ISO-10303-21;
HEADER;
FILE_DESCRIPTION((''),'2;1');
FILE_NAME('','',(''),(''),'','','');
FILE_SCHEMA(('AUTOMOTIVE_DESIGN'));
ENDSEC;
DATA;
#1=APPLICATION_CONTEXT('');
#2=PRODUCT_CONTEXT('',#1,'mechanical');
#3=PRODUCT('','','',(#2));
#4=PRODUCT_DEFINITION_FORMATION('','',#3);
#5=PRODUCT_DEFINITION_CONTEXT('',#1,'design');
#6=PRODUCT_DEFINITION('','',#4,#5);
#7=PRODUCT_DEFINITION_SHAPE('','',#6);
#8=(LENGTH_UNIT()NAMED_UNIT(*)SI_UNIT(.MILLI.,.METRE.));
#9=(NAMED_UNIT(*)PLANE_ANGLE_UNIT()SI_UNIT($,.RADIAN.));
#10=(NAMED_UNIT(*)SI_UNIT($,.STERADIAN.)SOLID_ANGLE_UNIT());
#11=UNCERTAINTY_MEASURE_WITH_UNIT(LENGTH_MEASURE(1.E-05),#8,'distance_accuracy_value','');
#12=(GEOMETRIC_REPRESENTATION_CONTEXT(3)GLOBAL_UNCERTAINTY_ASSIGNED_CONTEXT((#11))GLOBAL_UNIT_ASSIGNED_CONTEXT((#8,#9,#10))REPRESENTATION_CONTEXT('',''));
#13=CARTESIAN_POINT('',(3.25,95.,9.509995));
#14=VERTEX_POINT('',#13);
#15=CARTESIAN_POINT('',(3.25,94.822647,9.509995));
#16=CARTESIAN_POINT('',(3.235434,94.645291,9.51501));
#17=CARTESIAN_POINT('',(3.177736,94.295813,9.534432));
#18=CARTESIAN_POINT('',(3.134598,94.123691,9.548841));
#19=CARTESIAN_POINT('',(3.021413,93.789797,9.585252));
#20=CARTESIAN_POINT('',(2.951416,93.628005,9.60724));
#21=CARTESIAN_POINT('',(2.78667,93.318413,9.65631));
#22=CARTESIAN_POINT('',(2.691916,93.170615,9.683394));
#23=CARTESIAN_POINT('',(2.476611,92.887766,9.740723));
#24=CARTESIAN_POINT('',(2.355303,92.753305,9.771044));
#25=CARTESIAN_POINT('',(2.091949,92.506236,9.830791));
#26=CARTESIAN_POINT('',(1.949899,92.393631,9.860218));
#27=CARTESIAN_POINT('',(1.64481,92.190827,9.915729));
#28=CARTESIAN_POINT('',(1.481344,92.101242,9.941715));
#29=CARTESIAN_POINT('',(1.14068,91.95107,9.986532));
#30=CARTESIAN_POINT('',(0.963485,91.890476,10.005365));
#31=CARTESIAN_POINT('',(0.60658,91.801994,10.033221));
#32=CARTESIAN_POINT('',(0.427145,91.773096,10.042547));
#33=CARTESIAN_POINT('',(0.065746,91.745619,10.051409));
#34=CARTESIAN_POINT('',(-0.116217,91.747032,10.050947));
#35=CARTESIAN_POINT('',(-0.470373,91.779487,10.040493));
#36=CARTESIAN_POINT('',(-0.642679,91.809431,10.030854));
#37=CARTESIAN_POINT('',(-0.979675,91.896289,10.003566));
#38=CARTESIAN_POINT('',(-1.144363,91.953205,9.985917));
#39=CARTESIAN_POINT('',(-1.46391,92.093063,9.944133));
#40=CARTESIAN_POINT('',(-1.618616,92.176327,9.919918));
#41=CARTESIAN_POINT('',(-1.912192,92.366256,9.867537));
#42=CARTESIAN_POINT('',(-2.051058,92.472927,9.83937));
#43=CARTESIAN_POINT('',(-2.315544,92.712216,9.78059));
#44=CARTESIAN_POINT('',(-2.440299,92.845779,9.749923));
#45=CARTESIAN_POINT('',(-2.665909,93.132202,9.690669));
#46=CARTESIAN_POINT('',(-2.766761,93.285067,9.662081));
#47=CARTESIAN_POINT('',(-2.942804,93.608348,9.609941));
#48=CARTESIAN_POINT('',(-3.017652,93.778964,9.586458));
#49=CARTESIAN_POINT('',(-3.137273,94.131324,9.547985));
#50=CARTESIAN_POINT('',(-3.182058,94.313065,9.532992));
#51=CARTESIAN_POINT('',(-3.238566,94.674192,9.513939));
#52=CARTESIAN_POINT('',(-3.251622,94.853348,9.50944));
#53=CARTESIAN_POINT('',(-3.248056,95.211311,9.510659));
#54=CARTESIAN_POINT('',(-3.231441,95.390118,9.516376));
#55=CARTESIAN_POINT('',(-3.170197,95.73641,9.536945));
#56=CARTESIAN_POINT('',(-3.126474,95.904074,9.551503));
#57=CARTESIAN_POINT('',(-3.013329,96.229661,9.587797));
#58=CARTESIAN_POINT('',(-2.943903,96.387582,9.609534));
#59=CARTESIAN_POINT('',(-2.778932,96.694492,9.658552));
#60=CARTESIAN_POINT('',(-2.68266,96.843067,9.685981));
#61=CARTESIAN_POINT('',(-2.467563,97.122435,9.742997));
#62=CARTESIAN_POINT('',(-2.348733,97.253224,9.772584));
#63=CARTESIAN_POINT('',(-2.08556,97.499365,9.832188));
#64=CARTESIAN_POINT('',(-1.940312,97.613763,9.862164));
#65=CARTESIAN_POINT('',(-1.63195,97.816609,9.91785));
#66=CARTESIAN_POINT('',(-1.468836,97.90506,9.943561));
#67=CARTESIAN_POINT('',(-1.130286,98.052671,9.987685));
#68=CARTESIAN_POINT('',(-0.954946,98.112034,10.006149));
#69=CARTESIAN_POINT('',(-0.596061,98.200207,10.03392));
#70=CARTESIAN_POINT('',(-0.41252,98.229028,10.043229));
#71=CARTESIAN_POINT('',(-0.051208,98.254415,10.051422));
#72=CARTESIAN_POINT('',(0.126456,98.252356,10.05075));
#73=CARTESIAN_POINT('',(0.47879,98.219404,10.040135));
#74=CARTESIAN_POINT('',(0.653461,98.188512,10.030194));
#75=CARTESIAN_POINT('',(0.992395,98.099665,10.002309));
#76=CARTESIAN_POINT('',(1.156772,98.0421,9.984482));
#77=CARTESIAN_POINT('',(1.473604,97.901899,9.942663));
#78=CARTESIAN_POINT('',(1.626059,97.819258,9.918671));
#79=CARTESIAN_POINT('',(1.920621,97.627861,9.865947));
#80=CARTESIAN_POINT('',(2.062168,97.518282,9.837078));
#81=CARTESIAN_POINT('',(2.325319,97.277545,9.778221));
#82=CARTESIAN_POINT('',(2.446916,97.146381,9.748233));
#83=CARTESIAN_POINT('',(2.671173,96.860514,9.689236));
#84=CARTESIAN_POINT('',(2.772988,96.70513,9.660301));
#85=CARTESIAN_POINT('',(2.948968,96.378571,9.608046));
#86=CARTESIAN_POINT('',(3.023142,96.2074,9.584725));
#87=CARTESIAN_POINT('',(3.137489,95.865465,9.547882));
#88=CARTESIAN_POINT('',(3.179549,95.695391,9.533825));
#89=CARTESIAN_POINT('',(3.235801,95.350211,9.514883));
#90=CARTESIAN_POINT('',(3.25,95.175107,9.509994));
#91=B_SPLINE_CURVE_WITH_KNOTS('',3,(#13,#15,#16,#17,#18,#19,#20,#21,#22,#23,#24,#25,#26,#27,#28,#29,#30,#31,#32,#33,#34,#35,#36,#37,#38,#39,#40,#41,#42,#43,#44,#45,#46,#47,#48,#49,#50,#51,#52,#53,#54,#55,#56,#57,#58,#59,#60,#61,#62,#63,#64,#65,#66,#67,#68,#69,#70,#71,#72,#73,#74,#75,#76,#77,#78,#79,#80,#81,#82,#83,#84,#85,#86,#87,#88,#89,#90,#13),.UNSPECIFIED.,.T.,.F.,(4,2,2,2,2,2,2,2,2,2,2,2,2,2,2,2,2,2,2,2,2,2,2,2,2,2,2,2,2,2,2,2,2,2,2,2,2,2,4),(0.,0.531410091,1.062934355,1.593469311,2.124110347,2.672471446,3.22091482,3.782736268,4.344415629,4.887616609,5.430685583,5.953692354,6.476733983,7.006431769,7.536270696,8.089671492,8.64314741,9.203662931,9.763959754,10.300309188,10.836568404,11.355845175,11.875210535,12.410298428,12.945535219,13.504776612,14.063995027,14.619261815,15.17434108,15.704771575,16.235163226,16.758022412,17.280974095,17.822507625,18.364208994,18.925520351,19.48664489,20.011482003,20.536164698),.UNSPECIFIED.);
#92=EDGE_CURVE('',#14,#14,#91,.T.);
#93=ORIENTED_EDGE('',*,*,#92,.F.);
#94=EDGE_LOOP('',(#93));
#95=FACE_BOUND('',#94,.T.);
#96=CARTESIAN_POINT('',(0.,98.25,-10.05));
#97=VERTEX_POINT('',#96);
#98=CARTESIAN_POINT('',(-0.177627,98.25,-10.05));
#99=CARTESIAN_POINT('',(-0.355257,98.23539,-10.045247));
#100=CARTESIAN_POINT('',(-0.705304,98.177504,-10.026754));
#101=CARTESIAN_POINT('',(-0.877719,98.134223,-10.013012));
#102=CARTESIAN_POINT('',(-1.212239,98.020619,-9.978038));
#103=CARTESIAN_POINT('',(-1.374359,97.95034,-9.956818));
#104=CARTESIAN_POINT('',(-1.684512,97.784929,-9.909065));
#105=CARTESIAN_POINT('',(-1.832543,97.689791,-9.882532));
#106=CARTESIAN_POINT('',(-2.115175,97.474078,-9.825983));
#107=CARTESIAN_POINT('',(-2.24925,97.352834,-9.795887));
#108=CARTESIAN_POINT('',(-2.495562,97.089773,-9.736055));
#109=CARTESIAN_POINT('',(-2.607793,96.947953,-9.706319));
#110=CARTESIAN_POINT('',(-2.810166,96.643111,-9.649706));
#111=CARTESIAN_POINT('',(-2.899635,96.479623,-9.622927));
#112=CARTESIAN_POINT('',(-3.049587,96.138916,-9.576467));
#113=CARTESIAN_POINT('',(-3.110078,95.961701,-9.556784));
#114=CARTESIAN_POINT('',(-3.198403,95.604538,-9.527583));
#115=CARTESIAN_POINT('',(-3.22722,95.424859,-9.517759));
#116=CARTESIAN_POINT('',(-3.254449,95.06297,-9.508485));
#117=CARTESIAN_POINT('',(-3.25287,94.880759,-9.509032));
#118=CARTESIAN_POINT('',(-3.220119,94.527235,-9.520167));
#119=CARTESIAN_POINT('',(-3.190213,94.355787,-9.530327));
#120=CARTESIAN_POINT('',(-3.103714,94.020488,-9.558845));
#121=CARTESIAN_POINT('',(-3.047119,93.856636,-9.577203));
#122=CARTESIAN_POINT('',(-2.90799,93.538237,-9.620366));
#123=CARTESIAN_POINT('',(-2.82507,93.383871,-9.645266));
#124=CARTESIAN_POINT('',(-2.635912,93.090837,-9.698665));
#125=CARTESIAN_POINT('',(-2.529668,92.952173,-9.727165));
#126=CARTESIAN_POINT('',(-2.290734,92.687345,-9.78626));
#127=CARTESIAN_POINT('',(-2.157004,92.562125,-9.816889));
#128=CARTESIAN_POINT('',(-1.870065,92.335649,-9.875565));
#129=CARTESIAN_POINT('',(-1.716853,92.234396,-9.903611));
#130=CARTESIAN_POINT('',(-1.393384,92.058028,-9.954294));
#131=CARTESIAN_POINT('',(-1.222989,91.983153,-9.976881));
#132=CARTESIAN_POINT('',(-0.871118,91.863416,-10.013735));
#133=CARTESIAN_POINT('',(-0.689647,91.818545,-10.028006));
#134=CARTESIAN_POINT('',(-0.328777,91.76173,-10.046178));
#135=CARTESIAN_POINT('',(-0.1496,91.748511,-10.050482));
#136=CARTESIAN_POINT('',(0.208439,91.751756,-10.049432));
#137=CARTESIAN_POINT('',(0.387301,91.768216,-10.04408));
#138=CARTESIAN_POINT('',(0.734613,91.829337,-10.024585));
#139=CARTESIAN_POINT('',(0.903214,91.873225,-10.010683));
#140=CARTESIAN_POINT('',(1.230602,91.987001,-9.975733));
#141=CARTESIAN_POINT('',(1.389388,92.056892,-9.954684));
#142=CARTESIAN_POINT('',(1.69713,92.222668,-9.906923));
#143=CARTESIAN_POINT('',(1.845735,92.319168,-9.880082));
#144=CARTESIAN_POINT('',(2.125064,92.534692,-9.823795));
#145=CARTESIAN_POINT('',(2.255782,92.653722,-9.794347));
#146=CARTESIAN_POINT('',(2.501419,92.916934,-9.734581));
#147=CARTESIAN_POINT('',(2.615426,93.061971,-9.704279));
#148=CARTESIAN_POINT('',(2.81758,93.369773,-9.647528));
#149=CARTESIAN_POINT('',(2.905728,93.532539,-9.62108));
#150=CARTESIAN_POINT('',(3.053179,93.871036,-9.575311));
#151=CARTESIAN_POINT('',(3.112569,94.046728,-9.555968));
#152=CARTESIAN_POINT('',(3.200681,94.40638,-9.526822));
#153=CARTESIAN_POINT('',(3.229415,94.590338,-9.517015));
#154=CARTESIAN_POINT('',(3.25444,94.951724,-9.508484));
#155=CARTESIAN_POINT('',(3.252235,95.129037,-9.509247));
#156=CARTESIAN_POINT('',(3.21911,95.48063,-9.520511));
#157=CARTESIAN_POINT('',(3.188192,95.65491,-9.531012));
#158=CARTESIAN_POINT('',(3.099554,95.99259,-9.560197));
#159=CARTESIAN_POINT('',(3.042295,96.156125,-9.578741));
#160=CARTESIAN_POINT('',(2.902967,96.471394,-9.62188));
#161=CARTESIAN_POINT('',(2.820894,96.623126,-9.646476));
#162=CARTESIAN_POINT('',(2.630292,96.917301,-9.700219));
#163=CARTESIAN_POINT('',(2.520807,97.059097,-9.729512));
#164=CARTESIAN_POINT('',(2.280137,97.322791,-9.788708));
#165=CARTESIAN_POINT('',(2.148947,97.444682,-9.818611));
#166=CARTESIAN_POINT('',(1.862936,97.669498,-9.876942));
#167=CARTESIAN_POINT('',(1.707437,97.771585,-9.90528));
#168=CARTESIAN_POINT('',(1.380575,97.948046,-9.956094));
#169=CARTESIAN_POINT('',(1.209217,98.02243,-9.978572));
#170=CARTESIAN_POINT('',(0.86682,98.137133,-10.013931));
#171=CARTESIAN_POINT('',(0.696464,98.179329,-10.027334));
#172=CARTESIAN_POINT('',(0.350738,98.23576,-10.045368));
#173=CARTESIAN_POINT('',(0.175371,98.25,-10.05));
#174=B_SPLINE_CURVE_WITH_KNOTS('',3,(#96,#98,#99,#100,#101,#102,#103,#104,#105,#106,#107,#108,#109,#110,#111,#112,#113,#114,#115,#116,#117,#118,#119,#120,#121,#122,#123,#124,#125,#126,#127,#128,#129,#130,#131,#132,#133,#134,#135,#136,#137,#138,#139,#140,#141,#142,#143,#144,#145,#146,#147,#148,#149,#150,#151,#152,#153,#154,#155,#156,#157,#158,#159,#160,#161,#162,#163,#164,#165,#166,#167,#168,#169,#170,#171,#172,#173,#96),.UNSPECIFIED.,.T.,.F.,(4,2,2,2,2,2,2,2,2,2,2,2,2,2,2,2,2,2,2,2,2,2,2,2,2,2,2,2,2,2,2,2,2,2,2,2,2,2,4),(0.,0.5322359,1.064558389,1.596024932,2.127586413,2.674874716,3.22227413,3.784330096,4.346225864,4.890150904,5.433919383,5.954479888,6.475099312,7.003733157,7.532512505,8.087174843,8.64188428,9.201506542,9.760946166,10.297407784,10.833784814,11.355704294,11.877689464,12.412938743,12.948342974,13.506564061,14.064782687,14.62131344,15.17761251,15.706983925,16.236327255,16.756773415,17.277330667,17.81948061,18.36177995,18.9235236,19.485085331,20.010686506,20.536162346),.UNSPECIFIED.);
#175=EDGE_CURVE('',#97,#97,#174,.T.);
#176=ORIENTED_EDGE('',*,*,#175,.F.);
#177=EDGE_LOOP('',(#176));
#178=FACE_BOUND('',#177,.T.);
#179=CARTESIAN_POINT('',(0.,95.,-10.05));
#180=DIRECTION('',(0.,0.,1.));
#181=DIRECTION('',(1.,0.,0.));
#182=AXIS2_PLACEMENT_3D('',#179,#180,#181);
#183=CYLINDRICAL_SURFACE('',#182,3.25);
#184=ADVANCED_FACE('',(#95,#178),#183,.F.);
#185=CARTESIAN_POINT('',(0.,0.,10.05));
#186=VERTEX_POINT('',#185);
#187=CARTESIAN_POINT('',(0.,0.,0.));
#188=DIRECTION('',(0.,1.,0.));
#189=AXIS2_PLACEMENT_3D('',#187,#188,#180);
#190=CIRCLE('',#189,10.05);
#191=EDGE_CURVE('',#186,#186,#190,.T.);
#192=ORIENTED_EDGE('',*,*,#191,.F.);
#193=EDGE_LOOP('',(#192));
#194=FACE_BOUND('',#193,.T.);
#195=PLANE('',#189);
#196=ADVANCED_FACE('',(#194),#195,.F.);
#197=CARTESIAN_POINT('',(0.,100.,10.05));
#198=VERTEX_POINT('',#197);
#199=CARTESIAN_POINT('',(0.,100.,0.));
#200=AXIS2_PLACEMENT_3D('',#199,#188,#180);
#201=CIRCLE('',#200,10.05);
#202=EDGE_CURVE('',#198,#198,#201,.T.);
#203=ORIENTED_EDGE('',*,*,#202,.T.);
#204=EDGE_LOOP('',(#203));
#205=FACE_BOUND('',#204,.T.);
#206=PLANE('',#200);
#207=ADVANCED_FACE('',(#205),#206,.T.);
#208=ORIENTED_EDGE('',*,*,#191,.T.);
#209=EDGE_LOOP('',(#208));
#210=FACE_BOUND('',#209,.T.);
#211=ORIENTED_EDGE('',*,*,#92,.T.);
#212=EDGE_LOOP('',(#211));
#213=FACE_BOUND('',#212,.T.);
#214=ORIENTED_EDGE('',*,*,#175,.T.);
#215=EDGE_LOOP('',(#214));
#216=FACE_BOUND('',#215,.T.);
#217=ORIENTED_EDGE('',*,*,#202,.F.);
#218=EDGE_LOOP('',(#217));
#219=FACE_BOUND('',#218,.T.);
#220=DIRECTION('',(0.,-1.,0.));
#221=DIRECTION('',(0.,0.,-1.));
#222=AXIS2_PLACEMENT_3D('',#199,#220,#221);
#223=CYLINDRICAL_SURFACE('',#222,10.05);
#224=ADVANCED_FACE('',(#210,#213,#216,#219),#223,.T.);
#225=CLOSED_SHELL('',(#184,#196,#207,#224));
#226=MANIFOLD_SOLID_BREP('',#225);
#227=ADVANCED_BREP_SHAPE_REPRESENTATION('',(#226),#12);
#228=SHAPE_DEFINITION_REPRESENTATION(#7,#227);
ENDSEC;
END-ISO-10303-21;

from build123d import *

# Parameters (mm, degrees)
SKETCH1_R               = 10.05
BOSS_EXTRUDE1_DEPTH     = 100
SKETCH2_R               = 3.25
CUT_EXTRUDE1_DEPTH      = 11.05
CUT_EXTRUDE1_DEPTH_BACK = 11.05


with BuildPart() as part:
    # Sketch1 → Boss-Extrude1 (new body)
    with BuildSketch(Plane(origin=(0, 0, 0), x_dir=(1, 0, 0), z_dir=(0, 1, 0))):
        Circle(SKETCH1_R)
    extrude(amount=BOSS_EXTRUDE1_DEPTH)

    # Sketch2 → Cut-Extrude1 (cut, two sides)
    with BuildSketch(Plane.XY) as cut_extrude1_sk:
        with Locations((0, 95)):
            Circle(SKETCH2_R)
    extrude(amount=CUT_EXTRUDE1_DEPTH, mode=Mode.SUBTRACT)
    extrude(cut_extrude1_sk.sketch, amount=-CUT_EXTRUDE1_DEPTH_BACK, mode=Mode.SUBTRACT)


solid = part.part
